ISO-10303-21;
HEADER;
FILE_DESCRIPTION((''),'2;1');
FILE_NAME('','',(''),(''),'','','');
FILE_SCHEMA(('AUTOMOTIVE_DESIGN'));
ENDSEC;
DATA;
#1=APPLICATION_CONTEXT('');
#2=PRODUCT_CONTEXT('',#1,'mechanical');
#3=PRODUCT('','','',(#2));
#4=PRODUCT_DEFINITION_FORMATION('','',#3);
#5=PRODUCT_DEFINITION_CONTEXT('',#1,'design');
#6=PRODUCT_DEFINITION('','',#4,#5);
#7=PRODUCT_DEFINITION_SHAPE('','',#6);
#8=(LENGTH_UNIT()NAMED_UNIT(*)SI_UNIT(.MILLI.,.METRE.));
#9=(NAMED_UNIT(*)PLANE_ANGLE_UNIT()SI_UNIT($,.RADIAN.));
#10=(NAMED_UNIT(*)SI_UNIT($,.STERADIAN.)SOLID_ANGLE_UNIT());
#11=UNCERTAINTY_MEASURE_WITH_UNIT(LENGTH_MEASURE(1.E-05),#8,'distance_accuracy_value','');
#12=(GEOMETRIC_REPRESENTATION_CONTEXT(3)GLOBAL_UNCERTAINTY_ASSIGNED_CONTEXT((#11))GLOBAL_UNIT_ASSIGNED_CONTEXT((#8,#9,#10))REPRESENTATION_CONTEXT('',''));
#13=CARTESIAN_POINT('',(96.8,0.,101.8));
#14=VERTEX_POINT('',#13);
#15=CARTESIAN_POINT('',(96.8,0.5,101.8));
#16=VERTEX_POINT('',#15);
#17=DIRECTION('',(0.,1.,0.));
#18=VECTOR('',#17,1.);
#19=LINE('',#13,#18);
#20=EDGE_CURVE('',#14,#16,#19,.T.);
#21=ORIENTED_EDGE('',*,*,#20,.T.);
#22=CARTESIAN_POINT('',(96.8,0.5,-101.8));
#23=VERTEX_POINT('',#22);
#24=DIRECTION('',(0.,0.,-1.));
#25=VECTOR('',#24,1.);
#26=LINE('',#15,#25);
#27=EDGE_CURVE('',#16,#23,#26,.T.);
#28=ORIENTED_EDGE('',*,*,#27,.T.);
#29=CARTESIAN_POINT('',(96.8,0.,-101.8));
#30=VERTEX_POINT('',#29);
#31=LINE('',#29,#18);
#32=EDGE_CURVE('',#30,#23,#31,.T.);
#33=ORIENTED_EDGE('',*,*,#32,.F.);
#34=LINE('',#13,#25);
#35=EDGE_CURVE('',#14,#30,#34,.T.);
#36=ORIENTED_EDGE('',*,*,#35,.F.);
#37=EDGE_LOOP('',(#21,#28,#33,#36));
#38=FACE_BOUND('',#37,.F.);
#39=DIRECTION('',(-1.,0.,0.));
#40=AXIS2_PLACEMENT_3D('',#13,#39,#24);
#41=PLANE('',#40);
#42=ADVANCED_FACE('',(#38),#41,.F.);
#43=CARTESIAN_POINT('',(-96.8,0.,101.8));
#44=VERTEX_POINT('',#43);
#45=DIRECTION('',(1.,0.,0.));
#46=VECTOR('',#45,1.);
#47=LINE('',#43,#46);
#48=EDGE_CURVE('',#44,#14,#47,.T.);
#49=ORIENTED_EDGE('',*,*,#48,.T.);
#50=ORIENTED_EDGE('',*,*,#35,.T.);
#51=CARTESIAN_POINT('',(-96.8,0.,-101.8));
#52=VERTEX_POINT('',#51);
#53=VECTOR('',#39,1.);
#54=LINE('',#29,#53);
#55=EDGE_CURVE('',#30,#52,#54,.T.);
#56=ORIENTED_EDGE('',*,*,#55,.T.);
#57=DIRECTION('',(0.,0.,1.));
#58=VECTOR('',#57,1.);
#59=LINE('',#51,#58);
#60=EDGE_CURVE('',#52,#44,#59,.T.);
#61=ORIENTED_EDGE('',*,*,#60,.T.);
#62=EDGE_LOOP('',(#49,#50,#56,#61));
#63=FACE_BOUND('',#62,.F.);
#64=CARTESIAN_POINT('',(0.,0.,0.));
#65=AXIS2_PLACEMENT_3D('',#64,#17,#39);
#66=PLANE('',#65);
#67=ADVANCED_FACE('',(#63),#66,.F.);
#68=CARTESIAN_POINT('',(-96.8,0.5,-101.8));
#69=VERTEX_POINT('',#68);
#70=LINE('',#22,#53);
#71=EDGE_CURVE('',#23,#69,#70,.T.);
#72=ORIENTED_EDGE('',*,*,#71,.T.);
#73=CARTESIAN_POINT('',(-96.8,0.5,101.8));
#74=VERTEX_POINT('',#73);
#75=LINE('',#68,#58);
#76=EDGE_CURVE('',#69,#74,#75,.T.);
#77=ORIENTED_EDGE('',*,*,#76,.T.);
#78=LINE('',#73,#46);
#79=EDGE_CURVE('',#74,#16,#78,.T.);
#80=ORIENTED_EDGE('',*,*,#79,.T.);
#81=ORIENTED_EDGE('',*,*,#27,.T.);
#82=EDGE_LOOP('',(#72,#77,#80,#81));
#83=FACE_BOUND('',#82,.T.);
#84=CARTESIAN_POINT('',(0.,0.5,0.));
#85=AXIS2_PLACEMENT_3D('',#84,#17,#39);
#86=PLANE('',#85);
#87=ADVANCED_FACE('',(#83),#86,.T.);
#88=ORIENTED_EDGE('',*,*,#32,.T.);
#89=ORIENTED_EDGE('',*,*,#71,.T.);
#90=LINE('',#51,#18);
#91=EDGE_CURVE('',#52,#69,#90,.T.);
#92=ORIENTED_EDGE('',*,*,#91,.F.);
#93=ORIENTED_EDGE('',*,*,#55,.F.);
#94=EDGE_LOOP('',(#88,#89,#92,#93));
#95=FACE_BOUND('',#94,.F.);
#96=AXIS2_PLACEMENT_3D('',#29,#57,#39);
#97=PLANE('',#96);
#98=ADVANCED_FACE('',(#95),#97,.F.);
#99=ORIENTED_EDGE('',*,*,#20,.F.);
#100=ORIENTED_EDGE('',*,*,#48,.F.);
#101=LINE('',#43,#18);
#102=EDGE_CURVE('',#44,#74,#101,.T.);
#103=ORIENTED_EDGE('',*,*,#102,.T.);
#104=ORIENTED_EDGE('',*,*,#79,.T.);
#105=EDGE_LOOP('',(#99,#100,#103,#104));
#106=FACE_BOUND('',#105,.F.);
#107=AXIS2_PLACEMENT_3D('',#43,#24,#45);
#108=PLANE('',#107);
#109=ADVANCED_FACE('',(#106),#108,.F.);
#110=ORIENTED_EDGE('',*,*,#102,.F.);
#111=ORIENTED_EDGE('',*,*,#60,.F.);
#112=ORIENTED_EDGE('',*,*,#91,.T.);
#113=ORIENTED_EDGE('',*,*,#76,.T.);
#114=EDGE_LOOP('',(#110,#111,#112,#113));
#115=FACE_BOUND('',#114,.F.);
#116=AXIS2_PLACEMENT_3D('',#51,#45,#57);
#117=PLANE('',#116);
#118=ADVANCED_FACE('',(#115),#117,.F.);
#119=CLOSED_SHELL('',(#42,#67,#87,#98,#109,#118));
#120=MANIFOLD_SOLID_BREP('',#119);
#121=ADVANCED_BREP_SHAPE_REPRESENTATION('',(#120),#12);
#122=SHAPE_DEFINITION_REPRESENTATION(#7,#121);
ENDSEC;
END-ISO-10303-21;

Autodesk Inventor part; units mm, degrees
ref_plane "YZ Plane" through (0, 0, 0) normal (1, 0, 0) x (0, 1, 0)
ref_plane "XZ Plane" through (0, 0, 0) normal (0, 1, 0) x (-1, 0, 0)
ref_plane "XY Plane" through (0, 0, 0) normal (0, 0, 1) x (1, 0, 0)
sketch "Sketch1" plane through (0, 0, 0) normal (0, 1, 0) x (-1, 0, 0)
  line L0 (96.8, 101.8) -> (-96.8, 101.8)
  line L1 (-96.8, 101.8) -> (-96.8, -101.8)
  line L2 (-96.8, -101.8) -> (96.8, -101.8)
  line L3 (96.8, -101.8) -> (96.8, 101.8)
  point P0 (0, 0)
  point P1 (96.8, 0)
  point P2 (0, -101.8)
  dimension "d0" = 193.6
  dimension "d1" = 203.6
extrude "Plate1" add sketch "Sketch1" along normal blind 0.5
equation "\"d2\" = Thickness"
equation "\"BendRadius\" = Thickness"
equation "\"BendReliefWidth\" = Thickness"
equation "\"BendReliefDepth\" = 0.5 * Thickness"
equation "\"CornerReliefSize\" = 4 * Thickness"
equation "\"MinimumRemnant\" = 2 * Thickness"
equation "\"TransitionRadius\" = BendRadius"
equation "\"JacobiRadiusSize\" = BendRadius"
equation "\"GapSize\" = Thickness"
equation "\"Thickness\" = 0.5"
properties part number "bottom_panel"
